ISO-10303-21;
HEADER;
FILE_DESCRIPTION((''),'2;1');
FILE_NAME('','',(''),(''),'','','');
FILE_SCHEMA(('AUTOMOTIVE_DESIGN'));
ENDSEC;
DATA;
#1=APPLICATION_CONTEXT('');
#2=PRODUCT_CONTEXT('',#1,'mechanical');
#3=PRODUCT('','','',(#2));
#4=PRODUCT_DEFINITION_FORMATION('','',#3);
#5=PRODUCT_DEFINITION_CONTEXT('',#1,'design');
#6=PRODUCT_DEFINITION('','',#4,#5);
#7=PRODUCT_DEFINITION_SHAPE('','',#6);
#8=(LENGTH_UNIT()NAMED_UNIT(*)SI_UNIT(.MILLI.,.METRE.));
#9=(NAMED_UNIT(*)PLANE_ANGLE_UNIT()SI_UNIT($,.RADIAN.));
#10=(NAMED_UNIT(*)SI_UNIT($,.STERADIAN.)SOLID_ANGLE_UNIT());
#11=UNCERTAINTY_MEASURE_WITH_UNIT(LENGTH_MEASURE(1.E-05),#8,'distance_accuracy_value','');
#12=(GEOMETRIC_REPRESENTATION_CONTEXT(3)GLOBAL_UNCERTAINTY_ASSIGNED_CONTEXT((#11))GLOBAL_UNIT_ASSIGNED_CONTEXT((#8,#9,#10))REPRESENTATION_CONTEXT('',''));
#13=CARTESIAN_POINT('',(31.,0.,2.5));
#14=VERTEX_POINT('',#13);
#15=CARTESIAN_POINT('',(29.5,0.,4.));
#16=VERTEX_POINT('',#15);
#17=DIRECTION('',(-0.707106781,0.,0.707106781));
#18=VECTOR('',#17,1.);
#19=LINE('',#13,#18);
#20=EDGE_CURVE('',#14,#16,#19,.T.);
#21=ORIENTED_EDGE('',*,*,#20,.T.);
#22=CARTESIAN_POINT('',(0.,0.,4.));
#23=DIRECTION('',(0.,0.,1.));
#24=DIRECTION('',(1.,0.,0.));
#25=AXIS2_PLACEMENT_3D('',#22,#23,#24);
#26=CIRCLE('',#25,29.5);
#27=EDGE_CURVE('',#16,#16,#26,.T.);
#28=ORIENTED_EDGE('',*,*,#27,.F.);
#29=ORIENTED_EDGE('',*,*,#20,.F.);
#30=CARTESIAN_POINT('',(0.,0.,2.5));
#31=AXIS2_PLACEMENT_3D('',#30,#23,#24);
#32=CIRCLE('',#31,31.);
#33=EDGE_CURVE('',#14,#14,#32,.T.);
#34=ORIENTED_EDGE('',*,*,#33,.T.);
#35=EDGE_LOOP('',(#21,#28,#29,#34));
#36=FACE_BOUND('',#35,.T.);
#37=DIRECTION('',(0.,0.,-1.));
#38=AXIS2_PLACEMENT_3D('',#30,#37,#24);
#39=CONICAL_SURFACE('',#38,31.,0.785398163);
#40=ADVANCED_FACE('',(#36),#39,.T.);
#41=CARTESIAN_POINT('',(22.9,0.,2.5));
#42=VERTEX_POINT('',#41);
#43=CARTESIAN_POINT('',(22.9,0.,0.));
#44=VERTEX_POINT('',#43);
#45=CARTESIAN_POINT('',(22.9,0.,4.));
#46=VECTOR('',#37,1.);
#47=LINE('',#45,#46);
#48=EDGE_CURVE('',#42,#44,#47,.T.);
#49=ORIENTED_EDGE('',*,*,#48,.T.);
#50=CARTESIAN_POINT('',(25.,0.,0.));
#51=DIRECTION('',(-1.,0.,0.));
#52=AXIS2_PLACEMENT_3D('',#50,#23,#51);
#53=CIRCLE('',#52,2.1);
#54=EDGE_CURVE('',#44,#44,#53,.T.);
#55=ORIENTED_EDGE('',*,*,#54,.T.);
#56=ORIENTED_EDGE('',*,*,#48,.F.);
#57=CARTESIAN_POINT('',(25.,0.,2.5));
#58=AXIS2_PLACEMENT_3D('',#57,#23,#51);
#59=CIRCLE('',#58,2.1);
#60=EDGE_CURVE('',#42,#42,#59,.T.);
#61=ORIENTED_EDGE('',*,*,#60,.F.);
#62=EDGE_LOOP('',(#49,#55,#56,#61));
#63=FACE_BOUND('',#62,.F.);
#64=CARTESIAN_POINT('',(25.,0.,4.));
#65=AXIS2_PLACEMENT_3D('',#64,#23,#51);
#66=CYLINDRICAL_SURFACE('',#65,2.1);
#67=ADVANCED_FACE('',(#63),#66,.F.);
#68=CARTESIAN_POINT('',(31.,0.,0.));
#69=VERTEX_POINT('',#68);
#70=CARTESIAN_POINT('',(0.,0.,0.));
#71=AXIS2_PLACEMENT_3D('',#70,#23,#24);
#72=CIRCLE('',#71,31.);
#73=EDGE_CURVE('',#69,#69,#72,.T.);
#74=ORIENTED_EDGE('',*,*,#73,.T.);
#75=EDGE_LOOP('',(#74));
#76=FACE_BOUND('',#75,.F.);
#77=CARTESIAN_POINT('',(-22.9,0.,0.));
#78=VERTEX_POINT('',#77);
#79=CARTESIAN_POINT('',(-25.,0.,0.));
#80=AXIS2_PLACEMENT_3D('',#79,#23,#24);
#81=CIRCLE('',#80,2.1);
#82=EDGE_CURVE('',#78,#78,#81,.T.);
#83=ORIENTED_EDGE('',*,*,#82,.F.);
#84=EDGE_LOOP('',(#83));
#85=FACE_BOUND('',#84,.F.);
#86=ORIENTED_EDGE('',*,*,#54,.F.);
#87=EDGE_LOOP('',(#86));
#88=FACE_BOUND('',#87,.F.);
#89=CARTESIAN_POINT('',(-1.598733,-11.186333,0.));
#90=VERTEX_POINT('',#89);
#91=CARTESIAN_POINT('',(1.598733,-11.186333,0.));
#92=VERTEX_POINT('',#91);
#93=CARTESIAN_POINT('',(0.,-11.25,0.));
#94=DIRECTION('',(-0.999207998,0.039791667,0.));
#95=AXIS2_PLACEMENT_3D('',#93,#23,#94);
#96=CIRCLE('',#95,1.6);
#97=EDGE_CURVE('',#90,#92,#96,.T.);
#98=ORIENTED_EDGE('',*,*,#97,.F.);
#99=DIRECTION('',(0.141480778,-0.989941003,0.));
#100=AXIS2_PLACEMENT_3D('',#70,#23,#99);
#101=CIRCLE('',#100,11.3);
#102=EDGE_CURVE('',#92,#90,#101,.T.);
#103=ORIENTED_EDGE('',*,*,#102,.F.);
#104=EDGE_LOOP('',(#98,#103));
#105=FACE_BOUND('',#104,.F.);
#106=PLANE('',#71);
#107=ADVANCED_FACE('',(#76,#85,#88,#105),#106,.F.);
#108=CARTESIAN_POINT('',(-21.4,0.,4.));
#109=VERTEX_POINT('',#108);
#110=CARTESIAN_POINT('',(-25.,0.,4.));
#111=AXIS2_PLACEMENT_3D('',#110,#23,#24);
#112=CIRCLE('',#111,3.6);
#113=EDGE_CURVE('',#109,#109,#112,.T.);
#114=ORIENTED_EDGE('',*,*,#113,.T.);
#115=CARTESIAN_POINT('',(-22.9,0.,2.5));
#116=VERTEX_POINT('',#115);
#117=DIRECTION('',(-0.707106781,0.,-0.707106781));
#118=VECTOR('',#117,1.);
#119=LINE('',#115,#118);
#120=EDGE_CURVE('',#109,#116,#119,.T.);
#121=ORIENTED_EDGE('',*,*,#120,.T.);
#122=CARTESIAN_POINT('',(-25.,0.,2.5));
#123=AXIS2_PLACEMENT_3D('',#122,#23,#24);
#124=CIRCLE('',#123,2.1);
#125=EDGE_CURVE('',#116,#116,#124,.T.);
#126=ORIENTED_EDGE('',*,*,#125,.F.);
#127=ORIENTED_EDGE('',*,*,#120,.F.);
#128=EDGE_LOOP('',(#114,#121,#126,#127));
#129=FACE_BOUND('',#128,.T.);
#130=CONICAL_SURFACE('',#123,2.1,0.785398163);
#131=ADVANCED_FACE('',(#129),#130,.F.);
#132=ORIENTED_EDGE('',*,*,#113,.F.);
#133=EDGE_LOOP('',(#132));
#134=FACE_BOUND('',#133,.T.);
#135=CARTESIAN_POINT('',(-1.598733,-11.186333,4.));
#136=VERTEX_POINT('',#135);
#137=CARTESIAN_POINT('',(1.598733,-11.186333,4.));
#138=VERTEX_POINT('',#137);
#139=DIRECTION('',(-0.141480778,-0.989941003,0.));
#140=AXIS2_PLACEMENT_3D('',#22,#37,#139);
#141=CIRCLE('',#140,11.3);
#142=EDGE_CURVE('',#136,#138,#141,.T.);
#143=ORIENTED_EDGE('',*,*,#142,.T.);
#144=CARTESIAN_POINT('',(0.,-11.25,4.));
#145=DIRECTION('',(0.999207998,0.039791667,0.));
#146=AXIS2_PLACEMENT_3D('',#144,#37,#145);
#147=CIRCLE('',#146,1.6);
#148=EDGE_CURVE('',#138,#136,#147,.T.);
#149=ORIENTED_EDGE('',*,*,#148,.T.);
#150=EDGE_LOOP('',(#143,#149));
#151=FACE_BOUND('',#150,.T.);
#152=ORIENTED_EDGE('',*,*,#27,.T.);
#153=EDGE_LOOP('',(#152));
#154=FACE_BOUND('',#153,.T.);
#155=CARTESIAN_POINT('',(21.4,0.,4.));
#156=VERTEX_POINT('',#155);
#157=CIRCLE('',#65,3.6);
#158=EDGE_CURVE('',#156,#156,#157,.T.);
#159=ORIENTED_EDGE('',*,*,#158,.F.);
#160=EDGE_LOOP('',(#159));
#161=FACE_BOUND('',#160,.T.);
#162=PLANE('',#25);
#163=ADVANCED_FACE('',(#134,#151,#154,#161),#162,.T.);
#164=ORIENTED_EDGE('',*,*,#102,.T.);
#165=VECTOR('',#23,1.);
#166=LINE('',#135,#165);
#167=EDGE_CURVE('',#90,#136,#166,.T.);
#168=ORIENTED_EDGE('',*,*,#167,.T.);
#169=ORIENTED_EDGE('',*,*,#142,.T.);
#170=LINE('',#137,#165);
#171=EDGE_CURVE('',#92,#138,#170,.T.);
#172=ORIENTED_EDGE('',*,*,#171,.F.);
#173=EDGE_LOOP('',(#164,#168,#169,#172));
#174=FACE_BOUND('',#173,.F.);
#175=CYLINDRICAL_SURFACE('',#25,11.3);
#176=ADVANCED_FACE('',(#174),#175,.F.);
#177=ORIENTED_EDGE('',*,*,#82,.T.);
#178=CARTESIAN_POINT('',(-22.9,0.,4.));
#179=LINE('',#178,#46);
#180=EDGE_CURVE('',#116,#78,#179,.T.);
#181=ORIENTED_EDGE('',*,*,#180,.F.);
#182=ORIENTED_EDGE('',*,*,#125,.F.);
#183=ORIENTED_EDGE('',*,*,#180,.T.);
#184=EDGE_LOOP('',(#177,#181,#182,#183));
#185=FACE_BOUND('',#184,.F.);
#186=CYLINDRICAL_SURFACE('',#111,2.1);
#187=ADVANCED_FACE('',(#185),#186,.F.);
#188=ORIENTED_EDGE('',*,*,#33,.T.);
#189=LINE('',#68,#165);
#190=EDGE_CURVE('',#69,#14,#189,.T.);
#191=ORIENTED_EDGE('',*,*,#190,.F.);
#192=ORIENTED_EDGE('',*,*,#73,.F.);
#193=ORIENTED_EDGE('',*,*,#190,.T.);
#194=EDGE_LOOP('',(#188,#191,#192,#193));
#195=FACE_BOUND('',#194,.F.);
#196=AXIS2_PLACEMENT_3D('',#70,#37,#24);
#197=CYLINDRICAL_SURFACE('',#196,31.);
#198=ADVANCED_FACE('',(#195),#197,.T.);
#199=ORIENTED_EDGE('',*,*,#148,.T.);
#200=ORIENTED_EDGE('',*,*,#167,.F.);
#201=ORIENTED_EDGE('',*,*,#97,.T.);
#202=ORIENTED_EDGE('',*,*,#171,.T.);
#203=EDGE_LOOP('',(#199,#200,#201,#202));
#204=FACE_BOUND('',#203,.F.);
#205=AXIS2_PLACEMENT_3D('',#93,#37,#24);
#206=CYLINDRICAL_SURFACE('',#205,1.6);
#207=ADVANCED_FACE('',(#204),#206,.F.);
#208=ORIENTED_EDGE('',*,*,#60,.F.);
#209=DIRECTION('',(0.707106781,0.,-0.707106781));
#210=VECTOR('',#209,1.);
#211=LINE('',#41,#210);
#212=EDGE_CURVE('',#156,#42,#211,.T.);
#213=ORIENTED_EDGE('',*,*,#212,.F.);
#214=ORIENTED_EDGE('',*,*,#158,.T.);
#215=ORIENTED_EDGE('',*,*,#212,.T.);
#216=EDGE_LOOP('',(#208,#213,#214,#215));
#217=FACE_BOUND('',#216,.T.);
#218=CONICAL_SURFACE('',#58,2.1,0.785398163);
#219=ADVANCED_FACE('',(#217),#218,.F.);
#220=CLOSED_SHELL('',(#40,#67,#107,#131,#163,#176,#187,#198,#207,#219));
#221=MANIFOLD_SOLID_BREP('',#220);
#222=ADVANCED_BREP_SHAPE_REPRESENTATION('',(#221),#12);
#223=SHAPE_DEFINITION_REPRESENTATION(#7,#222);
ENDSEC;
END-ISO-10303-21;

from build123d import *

# Parameters (mm, degrees)
SKETCH_R           = 31
PAD_DEPTH          = 4
SKETCH002_R        = 11.3
POCKET001_DEPTH    = 4.001
SKETCH004_R        = 2.1
POCKET002_DEPTH    = 179.545866
SKETCH005_R        = 1.6
POCKET003_DEPTH    = 4.001
POLARPATTERN_COUNT = 2
CHAMFER_SIZE       = 1.5
CHAMFER001_SIZE    = 1.5


with BuildPart() as part:
    # Sketch → Pad (new body)
    with BuildSketch(Plane.XY):
        Circle(SKETCH_R)
    extrude(amount=PAD_DEPTH)

    # Sketch002 (on Face3 of Pad) → Pocket001 (cut, through all)
    with BuildSketch(Plane.XY.offset(4)):
        Circle(SKETCH002_R)
    extrude(amount=-POCKET001_DEPTH, mode=Mode.SUBTRACT)

    # Sketch004 (on Face3 of Pocket001) → Pocket002 (cut, through all)
    with BuildSketch(Plane.XY.offset(4)):
        with Locations((-25, 0)):
            Circle(SKETCH004_R)
    pocket002 = extrude(amount=-POCKET002_DEPTH, mode=Mode.SUBTRACT)

    # Sketch005 → Pocket003 (cut, through all)
    with BuildSketch(Plane(origin=(0, 0, 0), x_dir=(1, 0, 0), z_dir=(0, 0, -1))):
        with Locations((0, 11.25)):
            Circle(SKETCH005_R)
    extrude(amount=-POCKET003_DEPTH, mode=Mode.SUBTRACT)

    # PolarPattern: Pocket002 ×2 about axis
    polarpattern_axis = Axis((0, 0, 4), (0, 0, 1))
    for i in range(1, POLARPATTERN_COUNT):
        add(pocket002.rotate(polarpattern_axis, i * 360 / POLARPATTERN_COUNT), mode=Mode.SUBTRACT)

    # Chamfer
    chamfer_edges = [part.edges().sort_by_distance(p)[0] for p in [
        (-31, 0, 4),
    ]]
    chamfer(chamfer_edges, length=CHAMFER_SIZE)

    # Chamfer001
    chamfer001_edges = [part.edges().sort_by_distance(p)[0] for p in [
        (27.1, 0, 4),
        (-27.1, 0, 4),
    ]]
    chamfer(chamfer001_edges, length=CHAMFER001_SIZE)


solid = part.part
